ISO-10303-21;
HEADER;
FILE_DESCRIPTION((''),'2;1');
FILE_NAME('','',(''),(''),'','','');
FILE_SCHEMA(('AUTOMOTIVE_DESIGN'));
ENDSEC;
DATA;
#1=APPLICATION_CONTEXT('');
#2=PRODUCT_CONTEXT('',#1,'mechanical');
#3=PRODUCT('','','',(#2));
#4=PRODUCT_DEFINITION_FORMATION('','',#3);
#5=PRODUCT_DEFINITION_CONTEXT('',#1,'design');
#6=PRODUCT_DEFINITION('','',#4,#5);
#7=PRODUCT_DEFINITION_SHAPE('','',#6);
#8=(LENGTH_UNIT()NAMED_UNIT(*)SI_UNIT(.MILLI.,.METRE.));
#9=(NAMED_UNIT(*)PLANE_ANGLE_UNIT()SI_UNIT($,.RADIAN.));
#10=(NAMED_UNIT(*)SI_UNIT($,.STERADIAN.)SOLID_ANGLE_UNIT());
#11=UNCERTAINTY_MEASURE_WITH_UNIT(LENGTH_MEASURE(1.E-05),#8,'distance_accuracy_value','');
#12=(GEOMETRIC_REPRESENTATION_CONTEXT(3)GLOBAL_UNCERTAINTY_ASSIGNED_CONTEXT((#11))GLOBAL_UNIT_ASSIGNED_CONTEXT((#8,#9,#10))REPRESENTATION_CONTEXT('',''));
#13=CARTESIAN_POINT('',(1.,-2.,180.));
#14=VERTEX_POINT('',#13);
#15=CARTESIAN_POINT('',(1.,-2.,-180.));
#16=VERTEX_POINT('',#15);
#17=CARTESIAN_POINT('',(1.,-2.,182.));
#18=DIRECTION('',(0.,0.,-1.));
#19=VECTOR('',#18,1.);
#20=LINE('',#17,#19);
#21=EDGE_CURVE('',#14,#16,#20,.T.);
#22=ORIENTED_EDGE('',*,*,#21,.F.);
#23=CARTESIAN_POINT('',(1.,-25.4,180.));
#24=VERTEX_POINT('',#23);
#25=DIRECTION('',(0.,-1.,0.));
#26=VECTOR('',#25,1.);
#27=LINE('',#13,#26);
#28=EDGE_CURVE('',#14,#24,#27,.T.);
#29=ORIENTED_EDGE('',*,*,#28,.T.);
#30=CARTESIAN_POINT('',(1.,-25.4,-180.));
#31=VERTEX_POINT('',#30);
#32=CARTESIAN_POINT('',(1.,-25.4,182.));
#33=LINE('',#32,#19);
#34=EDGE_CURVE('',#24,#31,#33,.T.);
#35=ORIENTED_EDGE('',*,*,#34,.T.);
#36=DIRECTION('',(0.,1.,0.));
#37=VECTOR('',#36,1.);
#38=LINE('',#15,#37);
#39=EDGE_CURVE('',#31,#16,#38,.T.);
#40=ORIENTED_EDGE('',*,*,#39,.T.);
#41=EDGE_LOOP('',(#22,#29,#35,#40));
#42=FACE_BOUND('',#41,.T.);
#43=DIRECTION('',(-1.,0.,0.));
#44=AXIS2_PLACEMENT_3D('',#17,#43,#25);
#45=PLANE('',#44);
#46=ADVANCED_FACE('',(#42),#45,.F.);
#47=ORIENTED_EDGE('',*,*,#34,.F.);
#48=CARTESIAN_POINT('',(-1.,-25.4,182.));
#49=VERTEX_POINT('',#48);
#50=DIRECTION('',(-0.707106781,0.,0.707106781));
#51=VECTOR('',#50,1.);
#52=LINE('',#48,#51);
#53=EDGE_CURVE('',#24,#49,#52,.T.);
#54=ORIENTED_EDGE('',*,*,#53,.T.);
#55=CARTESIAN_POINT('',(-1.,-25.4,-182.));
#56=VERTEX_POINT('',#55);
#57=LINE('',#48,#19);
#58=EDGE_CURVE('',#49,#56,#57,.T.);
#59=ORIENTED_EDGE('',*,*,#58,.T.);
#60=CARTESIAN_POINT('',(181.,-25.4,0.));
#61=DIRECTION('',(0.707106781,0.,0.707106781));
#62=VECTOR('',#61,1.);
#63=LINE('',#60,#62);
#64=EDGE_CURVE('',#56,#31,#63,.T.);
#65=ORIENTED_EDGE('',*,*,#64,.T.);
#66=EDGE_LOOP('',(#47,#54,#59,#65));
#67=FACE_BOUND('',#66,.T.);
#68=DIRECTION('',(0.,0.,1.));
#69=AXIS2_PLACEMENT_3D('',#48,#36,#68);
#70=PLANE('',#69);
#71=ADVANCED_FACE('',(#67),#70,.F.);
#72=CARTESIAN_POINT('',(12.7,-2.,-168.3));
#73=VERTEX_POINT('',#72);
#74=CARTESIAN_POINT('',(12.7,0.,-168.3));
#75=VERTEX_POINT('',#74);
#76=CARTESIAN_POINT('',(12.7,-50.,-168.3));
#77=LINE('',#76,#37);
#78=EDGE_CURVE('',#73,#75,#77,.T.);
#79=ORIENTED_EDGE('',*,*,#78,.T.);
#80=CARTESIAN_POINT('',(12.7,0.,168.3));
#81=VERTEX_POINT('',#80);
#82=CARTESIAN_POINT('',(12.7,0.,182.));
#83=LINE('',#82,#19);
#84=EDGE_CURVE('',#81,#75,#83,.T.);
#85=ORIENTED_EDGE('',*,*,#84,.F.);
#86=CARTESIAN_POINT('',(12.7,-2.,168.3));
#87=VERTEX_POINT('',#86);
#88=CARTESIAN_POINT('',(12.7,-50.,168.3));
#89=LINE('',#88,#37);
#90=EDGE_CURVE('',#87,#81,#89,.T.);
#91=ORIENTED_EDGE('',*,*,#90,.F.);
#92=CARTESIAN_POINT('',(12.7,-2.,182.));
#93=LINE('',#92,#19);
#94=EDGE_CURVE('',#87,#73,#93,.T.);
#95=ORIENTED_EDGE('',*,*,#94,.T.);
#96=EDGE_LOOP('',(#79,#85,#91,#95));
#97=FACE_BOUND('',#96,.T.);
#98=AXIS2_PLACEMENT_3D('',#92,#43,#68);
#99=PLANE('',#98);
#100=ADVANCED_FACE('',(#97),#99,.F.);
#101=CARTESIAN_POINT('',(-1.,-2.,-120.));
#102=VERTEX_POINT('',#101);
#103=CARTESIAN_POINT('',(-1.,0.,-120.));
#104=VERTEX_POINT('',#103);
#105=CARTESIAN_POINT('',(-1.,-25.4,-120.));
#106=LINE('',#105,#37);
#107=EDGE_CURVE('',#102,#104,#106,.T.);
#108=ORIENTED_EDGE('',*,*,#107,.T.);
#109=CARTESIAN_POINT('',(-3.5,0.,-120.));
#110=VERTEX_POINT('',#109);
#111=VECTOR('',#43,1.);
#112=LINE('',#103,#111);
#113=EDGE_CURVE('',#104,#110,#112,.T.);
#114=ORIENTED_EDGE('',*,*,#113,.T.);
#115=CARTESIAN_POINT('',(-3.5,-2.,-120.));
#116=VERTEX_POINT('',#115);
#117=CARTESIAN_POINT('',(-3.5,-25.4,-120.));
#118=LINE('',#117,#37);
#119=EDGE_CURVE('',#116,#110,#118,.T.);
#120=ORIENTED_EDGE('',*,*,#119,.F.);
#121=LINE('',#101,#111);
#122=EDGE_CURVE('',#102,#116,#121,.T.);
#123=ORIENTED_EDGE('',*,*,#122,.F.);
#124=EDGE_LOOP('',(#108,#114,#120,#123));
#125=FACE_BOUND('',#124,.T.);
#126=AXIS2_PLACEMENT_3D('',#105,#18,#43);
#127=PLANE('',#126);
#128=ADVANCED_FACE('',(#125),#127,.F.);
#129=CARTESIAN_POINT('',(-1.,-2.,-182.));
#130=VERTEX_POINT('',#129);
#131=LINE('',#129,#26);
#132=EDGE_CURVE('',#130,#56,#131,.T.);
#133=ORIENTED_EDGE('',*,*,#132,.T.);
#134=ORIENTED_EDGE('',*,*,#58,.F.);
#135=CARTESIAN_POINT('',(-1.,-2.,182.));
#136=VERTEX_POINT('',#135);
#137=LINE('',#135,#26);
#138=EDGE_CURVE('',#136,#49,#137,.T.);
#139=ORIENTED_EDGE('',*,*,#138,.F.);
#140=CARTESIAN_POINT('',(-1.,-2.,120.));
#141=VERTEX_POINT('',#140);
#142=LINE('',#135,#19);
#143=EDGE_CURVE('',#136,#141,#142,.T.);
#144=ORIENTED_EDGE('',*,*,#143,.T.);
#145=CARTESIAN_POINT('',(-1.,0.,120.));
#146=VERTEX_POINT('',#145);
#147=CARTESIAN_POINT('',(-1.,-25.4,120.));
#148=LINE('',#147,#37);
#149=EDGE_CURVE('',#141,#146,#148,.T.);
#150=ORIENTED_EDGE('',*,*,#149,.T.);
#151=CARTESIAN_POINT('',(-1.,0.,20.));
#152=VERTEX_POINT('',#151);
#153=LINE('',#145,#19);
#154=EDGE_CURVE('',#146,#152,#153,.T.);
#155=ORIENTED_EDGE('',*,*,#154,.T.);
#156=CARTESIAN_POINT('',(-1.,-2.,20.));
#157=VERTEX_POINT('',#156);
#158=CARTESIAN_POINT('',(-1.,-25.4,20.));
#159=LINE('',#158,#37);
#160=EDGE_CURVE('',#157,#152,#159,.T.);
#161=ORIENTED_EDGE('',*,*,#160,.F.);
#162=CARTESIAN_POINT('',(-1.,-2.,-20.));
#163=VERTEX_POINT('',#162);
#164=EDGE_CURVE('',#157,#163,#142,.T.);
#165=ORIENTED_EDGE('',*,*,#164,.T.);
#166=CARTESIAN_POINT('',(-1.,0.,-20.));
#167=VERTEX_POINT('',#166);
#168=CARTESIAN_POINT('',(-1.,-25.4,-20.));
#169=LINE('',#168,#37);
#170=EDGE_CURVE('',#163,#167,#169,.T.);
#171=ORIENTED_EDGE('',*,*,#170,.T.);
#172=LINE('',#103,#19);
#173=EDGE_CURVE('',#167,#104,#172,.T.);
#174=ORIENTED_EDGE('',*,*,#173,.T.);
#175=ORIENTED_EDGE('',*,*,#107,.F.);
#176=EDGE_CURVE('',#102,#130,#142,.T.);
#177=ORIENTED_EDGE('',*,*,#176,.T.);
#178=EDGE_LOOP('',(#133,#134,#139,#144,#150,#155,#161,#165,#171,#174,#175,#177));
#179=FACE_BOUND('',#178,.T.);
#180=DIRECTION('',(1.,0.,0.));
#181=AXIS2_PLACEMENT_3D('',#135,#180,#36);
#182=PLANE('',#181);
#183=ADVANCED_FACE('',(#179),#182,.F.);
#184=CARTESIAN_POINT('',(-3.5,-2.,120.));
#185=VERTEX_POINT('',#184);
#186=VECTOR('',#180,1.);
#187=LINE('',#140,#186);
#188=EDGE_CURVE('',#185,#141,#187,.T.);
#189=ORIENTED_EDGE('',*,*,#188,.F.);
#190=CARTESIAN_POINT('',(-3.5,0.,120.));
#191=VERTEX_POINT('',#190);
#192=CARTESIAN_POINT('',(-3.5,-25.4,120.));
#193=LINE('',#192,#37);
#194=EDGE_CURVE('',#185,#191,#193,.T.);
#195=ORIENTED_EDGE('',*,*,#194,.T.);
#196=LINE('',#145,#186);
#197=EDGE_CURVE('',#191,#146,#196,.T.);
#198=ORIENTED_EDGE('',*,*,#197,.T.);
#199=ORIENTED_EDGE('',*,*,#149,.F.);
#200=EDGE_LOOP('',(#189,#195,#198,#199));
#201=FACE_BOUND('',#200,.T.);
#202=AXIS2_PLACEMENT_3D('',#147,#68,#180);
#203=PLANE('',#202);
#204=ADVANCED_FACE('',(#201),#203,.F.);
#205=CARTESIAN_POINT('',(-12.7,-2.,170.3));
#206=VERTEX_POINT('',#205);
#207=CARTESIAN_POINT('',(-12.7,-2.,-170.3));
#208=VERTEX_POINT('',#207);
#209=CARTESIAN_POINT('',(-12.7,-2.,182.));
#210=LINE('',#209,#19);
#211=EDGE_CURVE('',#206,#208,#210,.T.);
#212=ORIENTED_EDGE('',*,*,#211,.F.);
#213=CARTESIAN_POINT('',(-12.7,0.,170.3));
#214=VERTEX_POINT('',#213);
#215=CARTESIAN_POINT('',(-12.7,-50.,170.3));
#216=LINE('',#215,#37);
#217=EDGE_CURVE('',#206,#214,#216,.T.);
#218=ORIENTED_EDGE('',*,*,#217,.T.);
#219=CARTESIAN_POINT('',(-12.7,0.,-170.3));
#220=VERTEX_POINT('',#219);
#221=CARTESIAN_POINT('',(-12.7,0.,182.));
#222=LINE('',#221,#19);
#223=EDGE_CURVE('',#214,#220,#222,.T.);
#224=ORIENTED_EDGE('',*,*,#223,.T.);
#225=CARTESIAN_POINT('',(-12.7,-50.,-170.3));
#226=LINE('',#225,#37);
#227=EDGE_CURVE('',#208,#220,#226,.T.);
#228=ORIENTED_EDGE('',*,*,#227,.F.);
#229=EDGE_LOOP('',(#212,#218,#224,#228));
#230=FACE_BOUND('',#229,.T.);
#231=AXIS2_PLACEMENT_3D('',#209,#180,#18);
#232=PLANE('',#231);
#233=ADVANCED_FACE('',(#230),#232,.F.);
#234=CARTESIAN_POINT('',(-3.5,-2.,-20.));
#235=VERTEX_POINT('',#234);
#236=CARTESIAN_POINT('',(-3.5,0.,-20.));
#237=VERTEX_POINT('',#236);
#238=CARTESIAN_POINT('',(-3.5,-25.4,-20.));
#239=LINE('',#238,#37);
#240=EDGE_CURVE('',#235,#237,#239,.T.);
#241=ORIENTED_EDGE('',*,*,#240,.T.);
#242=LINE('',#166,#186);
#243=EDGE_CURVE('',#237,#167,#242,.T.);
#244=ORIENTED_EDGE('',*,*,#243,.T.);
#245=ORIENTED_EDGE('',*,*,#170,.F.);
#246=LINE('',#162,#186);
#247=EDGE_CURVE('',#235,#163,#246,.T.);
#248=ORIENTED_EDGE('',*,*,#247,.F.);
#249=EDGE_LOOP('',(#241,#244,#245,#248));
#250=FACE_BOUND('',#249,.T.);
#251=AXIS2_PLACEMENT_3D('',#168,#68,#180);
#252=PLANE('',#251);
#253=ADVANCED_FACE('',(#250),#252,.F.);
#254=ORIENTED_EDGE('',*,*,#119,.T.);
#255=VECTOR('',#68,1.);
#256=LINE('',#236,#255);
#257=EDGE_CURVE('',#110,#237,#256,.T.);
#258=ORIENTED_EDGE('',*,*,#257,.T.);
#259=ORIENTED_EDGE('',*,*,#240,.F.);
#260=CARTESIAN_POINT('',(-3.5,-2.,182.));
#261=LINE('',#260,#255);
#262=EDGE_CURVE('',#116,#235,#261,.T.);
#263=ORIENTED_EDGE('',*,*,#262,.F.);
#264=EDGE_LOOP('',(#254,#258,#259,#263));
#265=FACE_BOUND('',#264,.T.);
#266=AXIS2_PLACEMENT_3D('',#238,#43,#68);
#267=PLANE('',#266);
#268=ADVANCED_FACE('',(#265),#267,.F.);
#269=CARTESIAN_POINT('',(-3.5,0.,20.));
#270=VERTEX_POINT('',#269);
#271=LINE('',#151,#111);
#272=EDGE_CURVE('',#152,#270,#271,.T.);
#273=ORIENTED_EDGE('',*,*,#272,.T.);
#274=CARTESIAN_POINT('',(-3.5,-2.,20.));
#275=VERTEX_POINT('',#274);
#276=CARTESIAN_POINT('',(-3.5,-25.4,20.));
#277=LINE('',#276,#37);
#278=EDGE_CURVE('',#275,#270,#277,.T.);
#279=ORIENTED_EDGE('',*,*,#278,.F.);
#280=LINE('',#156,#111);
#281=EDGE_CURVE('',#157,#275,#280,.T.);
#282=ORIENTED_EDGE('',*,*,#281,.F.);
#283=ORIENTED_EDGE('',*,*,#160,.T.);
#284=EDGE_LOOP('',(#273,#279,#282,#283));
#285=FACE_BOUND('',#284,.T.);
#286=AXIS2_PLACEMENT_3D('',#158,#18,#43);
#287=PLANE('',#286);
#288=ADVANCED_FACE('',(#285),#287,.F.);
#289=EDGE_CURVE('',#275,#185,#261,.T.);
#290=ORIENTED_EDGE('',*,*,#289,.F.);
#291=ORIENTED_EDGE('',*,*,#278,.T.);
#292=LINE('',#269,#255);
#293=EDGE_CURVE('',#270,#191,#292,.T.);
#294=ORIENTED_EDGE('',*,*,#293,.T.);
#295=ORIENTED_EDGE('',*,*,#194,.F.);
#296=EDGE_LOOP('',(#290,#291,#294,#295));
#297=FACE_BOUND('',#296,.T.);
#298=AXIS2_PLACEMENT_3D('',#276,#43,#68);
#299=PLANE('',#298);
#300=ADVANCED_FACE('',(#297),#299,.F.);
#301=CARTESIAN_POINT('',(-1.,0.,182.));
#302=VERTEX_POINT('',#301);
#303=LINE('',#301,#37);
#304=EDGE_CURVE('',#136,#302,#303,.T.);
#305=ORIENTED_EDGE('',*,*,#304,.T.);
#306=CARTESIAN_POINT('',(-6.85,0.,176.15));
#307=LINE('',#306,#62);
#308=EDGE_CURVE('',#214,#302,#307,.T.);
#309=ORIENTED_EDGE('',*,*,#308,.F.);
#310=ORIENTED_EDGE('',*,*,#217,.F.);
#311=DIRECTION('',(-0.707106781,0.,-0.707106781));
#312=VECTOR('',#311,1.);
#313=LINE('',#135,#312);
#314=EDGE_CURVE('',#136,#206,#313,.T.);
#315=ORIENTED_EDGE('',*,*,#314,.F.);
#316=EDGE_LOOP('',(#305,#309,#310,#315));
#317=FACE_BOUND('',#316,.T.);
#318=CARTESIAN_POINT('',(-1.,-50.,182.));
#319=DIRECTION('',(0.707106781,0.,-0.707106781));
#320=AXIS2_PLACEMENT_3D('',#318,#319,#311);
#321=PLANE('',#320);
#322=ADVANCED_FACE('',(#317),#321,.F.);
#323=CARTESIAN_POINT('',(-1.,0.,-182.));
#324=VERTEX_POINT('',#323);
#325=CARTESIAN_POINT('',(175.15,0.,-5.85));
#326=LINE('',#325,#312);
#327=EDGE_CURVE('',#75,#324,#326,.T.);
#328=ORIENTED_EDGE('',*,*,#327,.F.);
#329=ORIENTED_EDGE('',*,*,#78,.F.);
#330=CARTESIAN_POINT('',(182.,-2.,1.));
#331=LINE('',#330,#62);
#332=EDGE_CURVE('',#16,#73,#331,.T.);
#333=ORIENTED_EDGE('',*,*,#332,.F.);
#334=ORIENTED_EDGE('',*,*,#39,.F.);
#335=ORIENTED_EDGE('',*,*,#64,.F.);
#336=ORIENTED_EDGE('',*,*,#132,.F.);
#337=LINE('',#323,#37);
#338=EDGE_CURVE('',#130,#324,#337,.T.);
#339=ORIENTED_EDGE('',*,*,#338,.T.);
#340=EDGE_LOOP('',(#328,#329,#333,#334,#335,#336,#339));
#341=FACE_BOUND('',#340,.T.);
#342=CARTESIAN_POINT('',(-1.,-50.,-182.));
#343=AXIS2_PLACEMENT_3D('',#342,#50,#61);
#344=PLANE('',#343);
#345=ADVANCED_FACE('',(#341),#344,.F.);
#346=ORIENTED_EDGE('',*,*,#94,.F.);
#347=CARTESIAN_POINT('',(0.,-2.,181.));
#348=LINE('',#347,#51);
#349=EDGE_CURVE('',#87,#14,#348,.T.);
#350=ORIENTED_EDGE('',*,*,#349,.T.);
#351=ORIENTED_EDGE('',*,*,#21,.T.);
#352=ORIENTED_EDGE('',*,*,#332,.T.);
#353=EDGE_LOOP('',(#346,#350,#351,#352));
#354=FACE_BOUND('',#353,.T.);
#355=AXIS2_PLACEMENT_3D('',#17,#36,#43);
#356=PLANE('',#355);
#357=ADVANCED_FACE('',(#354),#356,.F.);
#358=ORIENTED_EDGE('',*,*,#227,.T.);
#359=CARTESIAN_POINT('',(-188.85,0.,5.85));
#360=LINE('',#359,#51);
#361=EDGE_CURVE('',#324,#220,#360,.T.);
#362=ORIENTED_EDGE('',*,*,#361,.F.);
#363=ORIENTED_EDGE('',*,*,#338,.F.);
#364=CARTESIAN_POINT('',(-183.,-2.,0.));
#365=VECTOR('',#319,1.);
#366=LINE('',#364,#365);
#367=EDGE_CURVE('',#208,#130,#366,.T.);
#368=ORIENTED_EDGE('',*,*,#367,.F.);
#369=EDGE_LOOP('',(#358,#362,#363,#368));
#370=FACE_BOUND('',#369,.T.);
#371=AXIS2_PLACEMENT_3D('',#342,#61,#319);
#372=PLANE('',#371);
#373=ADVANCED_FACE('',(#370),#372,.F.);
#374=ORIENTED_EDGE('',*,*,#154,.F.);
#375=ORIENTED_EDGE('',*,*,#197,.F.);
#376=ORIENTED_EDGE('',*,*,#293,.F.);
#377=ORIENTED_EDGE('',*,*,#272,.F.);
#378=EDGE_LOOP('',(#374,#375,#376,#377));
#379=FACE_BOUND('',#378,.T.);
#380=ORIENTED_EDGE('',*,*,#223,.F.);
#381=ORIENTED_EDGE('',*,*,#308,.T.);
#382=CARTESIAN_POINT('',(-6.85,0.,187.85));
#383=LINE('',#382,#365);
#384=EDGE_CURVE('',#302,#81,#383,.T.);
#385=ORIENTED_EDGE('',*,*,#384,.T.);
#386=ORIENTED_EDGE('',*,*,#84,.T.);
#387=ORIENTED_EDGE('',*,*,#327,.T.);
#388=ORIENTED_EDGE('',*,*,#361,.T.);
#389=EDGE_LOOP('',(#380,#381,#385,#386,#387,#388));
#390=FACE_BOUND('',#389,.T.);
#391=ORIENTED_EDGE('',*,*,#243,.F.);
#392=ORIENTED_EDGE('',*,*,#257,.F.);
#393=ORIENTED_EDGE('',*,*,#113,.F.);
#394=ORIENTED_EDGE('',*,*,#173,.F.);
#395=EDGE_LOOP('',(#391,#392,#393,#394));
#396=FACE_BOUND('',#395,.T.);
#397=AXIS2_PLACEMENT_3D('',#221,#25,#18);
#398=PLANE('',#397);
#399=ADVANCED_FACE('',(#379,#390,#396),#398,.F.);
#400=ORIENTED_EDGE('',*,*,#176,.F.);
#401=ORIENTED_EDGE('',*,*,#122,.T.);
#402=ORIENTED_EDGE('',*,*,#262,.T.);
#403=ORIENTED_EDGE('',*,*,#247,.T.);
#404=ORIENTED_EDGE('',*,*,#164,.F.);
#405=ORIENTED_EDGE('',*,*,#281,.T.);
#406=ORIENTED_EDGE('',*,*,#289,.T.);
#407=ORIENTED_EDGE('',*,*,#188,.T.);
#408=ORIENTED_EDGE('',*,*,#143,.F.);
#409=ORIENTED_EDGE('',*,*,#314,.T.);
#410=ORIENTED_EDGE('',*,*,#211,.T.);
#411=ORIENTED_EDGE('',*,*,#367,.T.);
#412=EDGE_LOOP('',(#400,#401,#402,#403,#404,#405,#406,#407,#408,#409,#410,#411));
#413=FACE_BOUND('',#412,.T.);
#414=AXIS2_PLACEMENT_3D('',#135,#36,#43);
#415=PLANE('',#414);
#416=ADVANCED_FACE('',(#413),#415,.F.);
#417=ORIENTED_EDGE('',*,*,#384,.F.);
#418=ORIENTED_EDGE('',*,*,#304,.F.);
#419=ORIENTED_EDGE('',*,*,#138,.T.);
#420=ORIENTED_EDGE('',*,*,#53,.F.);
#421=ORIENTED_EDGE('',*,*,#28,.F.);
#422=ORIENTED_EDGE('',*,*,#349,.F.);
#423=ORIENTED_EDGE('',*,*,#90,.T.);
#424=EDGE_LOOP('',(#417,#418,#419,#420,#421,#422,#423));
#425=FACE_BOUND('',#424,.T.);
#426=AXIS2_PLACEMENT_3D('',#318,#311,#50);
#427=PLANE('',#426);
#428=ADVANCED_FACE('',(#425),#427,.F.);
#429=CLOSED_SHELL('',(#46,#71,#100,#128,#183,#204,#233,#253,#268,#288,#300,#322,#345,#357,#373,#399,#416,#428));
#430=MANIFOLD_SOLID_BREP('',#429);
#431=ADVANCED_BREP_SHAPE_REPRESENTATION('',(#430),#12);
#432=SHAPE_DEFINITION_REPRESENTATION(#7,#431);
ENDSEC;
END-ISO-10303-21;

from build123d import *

# Parameters (mm, degrees)
RESSALTO_EXTRUS_O1_DEPTH = 182
CORTE_EXTRUS_O1_DEPTH    = 50
ESBO_O3_W                = 2.5
ESBO_O3_H                = 100
CORTE_EXTRUS_O2_DEPTH    = 185.202198684
CORTE_EXTRUS_O3_DEPTH    = 50


with BuildPart() as part:
    # Esboço1 → Ressalto-extrusão1 (new, symmetric)
    with BuildSketch(Plane.XY):
        Polygon((-12.7, 0), (12.7, 0), (12.7, -2), (1, -2), (1, -25.4), (-1, -25.4), (-1, -2), (-12.7, -2), align=None)
    extrude(amount=RESSALTO_EXTRUS_O1_DEPTH, both=True)

    # Esboço2 → Corte-extrusão1 (cut, symmetric)
    with BuildSketch(Plane(origin=(0, 0, 0), x_dir=(1, 0, 0), z_dir=(0, 1, 0))):
        Polygon((-1, 182), (12.7, 168.3), (12.7, 182), align=None)
        Polygon((-1, -182), (12.7, -168.3), (12.7, -182), align=None)
    extrude(amount=CORTE_EXTRUS_O1_DEPTH, both=True, mode=Mode.SUBTRACT)

    # Esboço3 → Corte-extrusão2 (cut, through all)
    with BuildSketch(Plane(origin=(0, 0, 0), x_dir=(1, 0, 0), z_dir=(0, 1, 0))):
        with Locations((-2.25, 70)):
            Rectangle(ESBO_O3_W, ESBO_O3_H)
        with Locations((-2.25, -70)):
            Rectangle(ESBO_O3_W, ESBO_O3_H)
    extrude(amount=-CORTE_EXTRUS_O2_DEPTH, mode=Mode.SUBTRACT)

    # Esboço4 → Corte-extrusão3 (cut, symmetric)
    with BuildSketch(Plane(origin=(0, 0, 0), x_dir=(1, 0, 0), z_dir=(0, 1, 0))):
        Polygon((-1, 182), (-12.7, 170.3), (-12.7, 182), align=None)
        Polygon((-1, -182), (-12.7, -170.3), (-12.7, -182), align=None)
    extrude(amount=CORTE_EXTRUS_O3_DEPTH, both=True, mode=Mode.SUBTRACT)


solid = part.part
